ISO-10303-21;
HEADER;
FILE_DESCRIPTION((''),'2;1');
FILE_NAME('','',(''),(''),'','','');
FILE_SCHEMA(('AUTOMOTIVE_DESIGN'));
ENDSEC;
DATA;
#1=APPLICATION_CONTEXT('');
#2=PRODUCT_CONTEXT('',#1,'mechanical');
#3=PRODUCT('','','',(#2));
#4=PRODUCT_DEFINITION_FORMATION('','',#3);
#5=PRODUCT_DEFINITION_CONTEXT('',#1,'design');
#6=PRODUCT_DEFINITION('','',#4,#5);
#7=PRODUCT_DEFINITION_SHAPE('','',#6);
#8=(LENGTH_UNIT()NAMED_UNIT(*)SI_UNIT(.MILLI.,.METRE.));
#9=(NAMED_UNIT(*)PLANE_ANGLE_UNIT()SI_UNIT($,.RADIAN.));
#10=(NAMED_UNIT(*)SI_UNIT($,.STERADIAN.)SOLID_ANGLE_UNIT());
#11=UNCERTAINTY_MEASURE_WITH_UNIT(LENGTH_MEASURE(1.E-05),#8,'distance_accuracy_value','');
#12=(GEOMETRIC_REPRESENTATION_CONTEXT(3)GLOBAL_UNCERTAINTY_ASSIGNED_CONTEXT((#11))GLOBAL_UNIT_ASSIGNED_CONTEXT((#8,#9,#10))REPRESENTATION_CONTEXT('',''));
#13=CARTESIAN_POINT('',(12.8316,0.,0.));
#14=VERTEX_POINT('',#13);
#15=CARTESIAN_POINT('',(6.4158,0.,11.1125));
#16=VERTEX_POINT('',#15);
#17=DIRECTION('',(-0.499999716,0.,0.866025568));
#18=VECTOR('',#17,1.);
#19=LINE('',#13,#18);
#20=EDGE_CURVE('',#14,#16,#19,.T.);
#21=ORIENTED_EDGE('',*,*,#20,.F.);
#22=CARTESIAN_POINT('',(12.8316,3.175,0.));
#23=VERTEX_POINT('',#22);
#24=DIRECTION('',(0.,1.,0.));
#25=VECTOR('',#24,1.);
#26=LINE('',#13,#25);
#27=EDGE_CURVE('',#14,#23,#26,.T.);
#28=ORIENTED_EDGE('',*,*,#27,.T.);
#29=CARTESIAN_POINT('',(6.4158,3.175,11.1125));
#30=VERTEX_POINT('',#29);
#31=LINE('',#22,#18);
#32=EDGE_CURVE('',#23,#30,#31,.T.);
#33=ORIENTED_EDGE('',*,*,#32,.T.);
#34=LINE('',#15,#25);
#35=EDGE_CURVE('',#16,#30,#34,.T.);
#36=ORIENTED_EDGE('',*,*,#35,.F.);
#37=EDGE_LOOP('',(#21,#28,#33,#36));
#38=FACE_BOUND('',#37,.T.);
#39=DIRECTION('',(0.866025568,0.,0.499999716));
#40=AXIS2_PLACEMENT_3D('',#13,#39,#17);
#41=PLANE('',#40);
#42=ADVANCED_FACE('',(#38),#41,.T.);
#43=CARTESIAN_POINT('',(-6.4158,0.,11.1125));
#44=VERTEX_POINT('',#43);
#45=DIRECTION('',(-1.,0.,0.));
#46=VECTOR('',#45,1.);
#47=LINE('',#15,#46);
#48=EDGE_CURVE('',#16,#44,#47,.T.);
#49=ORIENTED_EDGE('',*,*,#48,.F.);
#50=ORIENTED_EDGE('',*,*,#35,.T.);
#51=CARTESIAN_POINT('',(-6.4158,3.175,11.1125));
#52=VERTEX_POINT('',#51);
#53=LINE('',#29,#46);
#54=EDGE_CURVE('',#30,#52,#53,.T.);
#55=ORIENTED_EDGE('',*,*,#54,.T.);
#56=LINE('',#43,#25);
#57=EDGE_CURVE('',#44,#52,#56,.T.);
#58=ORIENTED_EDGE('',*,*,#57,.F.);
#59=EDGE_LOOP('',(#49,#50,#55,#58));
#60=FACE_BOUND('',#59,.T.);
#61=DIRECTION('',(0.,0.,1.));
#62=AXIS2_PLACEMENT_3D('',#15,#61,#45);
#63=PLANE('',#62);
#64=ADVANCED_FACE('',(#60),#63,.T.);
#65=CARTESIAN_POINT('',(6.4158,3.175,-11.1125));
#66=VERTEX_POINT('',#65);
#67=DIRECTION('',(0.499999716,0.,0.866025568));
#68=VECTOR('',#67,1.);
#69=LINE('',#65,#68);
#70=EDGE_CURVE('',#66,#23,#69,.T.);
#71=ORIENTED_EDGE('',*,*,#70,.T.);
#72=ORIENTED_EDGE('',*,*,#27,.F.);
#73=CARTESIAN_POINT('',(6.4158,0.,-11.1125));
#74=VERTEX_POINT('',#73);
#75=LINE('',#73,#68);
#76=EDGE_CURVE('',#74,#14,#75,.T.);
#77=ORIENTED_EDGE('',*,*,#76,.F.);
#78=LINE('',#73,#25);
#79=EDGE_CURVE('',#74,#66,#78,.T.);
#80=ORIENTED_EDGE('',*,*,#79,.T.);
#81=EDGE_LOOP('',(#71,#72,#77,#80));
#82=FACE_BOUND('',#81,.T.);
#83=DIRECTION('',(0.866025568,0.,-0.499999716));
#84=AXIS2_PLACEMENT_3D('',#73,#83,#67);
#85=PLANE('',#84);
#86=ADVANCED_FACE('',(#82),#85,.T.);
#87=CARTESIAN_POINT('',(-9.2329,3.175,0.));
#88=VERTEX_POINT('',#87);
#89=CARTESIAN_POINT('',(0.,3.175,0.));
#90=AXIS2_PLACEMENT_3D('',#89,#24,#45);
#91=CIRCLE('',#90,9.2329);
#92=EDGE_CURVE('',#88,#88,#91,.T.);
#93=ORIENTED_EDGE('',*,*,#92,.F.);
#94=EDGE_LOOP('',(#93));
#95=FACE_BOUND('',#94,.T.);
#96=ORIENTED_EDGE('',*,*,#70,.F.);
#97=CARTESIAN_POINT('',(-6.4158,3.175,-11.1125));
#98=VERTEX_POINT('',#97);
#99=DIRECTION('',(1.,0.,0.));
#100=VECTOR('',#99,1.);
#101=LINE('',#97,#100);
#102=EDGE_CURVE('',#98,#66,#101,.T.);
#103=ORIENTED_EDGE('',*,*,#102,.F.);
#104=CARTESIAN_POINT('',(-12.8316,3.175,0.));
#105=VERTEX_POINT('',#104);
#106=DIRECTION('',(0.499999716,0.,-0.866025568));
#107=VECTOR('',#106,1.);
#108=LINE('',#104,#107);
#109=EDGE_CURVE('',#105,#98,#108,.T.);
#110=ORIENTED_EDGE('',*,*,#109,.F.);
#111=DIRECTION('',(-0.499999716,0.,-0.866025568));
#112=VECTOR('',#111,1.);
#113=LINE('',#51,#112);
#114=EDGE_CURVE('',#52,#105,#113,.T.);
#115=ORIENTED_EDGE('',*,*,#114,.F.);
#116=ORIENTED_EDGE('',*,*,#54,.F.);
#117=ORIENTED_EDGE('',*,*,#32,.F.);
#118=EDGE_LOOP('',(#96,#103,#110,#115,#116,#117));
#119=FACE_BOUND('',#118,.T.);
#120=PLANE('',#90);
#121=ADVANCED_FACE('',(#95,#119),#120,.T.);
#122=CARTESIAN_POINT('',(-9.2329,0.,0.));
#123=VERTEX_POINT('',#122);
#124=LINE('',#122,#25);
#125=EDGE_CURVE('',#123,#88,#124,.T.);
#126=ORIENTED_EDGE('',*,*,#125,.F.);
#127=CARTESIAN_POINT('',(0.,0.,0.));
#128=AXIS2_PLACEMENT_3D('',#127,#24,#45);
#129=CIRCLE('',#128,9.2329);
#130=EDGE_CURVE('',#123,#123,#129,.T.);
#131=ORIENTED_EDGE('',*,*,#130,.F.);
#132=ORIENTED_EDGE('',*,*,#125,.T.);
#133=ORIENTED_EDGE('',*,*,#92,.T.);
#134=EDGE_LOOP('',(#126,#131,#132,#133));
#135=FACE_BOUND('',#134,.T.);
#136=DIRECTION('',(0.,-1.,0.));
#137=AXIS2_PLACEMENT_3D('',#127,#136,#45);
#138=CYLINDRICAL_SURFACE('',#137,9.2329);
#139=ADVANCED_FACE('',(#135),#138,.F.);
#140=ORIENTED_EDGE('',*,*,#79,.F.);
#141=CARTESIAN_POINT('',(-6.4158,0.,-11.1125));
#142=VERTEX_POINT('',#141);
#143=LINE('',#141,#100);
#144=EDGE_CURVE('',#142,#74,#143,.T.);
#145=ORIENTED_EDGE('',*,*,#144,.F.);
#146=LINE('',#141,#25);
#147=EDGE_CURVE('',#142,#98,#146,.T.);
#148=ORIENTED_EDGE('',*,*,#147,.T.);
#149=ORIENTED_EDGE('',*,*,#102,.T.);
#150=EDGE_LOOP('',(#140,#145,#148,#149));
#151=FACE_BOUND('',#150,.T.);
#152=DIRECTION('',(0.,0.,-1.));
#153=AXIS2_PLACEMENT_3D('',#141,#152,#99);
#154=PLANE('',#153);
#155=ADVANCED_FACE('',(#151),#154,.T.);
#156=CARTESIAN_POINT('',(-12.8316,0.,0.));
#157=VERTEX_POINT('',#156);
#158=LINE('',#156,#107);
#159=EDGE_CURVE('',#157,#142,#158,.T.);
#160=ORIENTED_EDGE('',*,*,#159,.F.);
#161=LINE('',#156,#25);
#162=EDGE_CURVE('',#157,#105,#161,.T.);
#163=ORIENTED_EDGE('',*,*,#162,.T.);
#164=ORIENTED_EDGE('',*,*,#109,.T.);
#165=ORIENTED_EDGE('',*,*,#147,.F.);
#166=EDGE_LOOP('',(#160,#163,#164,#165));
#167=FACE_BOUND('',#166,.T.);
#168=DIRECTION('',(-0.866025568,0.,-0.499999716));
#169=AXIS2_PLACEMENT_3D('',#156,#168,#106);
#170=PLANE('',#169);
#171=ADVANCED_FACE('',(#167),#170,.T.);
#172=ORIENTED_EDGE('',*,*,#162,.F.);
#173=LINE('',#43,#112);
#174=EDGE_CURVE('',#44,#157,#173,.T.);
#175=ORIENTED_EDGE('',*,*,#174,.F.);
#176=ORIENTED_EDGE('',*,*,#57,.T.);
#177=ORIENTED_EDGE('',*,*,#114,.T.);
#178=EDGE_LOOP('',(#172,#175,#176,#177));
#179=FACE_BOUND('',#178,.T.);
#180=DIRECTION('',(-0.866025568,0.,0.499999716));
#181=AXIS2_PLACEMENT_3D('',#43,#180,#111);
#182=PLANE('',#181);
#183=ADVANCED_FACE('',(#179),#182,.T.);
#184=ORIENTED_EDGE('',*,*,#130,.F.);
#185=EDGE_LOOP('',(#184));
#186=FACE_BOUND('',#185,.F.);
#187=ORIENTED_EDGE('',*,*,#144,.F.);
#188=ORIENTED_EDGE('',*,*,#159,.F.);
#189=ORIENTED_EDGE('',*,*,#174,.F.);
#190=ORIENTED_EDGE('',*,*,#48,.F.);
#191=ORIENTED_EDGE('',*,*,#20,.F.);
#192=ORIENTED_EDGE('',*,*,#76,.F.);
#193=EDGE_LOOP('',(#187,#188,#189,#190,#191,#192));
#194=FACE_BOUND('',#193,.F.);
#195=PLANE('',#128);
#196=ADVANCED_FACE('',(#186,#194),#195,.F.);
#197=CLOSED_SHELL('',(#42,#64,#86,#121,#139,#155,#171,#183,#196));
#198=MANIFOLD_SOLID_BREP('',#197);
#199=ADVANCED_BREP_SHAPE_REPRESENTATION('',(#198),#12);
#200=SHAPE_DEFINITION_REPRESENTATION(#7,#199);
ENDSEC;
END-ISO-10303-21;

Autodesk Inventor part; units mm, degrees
ref_plane "YZ Plane" through (0, 0, 0) normal (1, 0, 0) x (0, 1, 0)
ref_plane "XZ Plane" through (0, 0, 0) normal (0, 1, 0) x (-1, 0, 0)
ref_plane "XY Plane" through (0, 0, 0) normal (0, 0, 1) x (1, 0, 0)
sketch "Sketch1" plane through (0, 0, 0) normal (0, 1, 0) x (-1, 0, 0)
  line L0 (6.4158, 11.1125) -> (12.8316, 0)
  line L1 (12.8316, 0) -> (6.4158, -11.1125)
  line L2 (6.4158, -11.1125) -> (-6.4158, -11.1125)
  line L3 (-6.4158, -11.1125) -> (-12.8316, 0)
  line L4 (-12.8316, 0) -> (-6.4158, 11.1125)
  line L5 (-6.4158, 11.1125) -> (6.4158, 11.1125)
  circle A0 centre (0, 0) radius 9.2329
  point P0 (0, 11.1125)
  dimension "d0" = 11.1125
  dimension "d1" = 18.4658
extrude "Extrusion1" add sketch "Sketch1" along normal blind 3.175
thread "Thread1" size "3/4-20 UNEF" class "2B" standard "ANSI Unified Screw Threads" full length
properties part number "KeyLockNut"
